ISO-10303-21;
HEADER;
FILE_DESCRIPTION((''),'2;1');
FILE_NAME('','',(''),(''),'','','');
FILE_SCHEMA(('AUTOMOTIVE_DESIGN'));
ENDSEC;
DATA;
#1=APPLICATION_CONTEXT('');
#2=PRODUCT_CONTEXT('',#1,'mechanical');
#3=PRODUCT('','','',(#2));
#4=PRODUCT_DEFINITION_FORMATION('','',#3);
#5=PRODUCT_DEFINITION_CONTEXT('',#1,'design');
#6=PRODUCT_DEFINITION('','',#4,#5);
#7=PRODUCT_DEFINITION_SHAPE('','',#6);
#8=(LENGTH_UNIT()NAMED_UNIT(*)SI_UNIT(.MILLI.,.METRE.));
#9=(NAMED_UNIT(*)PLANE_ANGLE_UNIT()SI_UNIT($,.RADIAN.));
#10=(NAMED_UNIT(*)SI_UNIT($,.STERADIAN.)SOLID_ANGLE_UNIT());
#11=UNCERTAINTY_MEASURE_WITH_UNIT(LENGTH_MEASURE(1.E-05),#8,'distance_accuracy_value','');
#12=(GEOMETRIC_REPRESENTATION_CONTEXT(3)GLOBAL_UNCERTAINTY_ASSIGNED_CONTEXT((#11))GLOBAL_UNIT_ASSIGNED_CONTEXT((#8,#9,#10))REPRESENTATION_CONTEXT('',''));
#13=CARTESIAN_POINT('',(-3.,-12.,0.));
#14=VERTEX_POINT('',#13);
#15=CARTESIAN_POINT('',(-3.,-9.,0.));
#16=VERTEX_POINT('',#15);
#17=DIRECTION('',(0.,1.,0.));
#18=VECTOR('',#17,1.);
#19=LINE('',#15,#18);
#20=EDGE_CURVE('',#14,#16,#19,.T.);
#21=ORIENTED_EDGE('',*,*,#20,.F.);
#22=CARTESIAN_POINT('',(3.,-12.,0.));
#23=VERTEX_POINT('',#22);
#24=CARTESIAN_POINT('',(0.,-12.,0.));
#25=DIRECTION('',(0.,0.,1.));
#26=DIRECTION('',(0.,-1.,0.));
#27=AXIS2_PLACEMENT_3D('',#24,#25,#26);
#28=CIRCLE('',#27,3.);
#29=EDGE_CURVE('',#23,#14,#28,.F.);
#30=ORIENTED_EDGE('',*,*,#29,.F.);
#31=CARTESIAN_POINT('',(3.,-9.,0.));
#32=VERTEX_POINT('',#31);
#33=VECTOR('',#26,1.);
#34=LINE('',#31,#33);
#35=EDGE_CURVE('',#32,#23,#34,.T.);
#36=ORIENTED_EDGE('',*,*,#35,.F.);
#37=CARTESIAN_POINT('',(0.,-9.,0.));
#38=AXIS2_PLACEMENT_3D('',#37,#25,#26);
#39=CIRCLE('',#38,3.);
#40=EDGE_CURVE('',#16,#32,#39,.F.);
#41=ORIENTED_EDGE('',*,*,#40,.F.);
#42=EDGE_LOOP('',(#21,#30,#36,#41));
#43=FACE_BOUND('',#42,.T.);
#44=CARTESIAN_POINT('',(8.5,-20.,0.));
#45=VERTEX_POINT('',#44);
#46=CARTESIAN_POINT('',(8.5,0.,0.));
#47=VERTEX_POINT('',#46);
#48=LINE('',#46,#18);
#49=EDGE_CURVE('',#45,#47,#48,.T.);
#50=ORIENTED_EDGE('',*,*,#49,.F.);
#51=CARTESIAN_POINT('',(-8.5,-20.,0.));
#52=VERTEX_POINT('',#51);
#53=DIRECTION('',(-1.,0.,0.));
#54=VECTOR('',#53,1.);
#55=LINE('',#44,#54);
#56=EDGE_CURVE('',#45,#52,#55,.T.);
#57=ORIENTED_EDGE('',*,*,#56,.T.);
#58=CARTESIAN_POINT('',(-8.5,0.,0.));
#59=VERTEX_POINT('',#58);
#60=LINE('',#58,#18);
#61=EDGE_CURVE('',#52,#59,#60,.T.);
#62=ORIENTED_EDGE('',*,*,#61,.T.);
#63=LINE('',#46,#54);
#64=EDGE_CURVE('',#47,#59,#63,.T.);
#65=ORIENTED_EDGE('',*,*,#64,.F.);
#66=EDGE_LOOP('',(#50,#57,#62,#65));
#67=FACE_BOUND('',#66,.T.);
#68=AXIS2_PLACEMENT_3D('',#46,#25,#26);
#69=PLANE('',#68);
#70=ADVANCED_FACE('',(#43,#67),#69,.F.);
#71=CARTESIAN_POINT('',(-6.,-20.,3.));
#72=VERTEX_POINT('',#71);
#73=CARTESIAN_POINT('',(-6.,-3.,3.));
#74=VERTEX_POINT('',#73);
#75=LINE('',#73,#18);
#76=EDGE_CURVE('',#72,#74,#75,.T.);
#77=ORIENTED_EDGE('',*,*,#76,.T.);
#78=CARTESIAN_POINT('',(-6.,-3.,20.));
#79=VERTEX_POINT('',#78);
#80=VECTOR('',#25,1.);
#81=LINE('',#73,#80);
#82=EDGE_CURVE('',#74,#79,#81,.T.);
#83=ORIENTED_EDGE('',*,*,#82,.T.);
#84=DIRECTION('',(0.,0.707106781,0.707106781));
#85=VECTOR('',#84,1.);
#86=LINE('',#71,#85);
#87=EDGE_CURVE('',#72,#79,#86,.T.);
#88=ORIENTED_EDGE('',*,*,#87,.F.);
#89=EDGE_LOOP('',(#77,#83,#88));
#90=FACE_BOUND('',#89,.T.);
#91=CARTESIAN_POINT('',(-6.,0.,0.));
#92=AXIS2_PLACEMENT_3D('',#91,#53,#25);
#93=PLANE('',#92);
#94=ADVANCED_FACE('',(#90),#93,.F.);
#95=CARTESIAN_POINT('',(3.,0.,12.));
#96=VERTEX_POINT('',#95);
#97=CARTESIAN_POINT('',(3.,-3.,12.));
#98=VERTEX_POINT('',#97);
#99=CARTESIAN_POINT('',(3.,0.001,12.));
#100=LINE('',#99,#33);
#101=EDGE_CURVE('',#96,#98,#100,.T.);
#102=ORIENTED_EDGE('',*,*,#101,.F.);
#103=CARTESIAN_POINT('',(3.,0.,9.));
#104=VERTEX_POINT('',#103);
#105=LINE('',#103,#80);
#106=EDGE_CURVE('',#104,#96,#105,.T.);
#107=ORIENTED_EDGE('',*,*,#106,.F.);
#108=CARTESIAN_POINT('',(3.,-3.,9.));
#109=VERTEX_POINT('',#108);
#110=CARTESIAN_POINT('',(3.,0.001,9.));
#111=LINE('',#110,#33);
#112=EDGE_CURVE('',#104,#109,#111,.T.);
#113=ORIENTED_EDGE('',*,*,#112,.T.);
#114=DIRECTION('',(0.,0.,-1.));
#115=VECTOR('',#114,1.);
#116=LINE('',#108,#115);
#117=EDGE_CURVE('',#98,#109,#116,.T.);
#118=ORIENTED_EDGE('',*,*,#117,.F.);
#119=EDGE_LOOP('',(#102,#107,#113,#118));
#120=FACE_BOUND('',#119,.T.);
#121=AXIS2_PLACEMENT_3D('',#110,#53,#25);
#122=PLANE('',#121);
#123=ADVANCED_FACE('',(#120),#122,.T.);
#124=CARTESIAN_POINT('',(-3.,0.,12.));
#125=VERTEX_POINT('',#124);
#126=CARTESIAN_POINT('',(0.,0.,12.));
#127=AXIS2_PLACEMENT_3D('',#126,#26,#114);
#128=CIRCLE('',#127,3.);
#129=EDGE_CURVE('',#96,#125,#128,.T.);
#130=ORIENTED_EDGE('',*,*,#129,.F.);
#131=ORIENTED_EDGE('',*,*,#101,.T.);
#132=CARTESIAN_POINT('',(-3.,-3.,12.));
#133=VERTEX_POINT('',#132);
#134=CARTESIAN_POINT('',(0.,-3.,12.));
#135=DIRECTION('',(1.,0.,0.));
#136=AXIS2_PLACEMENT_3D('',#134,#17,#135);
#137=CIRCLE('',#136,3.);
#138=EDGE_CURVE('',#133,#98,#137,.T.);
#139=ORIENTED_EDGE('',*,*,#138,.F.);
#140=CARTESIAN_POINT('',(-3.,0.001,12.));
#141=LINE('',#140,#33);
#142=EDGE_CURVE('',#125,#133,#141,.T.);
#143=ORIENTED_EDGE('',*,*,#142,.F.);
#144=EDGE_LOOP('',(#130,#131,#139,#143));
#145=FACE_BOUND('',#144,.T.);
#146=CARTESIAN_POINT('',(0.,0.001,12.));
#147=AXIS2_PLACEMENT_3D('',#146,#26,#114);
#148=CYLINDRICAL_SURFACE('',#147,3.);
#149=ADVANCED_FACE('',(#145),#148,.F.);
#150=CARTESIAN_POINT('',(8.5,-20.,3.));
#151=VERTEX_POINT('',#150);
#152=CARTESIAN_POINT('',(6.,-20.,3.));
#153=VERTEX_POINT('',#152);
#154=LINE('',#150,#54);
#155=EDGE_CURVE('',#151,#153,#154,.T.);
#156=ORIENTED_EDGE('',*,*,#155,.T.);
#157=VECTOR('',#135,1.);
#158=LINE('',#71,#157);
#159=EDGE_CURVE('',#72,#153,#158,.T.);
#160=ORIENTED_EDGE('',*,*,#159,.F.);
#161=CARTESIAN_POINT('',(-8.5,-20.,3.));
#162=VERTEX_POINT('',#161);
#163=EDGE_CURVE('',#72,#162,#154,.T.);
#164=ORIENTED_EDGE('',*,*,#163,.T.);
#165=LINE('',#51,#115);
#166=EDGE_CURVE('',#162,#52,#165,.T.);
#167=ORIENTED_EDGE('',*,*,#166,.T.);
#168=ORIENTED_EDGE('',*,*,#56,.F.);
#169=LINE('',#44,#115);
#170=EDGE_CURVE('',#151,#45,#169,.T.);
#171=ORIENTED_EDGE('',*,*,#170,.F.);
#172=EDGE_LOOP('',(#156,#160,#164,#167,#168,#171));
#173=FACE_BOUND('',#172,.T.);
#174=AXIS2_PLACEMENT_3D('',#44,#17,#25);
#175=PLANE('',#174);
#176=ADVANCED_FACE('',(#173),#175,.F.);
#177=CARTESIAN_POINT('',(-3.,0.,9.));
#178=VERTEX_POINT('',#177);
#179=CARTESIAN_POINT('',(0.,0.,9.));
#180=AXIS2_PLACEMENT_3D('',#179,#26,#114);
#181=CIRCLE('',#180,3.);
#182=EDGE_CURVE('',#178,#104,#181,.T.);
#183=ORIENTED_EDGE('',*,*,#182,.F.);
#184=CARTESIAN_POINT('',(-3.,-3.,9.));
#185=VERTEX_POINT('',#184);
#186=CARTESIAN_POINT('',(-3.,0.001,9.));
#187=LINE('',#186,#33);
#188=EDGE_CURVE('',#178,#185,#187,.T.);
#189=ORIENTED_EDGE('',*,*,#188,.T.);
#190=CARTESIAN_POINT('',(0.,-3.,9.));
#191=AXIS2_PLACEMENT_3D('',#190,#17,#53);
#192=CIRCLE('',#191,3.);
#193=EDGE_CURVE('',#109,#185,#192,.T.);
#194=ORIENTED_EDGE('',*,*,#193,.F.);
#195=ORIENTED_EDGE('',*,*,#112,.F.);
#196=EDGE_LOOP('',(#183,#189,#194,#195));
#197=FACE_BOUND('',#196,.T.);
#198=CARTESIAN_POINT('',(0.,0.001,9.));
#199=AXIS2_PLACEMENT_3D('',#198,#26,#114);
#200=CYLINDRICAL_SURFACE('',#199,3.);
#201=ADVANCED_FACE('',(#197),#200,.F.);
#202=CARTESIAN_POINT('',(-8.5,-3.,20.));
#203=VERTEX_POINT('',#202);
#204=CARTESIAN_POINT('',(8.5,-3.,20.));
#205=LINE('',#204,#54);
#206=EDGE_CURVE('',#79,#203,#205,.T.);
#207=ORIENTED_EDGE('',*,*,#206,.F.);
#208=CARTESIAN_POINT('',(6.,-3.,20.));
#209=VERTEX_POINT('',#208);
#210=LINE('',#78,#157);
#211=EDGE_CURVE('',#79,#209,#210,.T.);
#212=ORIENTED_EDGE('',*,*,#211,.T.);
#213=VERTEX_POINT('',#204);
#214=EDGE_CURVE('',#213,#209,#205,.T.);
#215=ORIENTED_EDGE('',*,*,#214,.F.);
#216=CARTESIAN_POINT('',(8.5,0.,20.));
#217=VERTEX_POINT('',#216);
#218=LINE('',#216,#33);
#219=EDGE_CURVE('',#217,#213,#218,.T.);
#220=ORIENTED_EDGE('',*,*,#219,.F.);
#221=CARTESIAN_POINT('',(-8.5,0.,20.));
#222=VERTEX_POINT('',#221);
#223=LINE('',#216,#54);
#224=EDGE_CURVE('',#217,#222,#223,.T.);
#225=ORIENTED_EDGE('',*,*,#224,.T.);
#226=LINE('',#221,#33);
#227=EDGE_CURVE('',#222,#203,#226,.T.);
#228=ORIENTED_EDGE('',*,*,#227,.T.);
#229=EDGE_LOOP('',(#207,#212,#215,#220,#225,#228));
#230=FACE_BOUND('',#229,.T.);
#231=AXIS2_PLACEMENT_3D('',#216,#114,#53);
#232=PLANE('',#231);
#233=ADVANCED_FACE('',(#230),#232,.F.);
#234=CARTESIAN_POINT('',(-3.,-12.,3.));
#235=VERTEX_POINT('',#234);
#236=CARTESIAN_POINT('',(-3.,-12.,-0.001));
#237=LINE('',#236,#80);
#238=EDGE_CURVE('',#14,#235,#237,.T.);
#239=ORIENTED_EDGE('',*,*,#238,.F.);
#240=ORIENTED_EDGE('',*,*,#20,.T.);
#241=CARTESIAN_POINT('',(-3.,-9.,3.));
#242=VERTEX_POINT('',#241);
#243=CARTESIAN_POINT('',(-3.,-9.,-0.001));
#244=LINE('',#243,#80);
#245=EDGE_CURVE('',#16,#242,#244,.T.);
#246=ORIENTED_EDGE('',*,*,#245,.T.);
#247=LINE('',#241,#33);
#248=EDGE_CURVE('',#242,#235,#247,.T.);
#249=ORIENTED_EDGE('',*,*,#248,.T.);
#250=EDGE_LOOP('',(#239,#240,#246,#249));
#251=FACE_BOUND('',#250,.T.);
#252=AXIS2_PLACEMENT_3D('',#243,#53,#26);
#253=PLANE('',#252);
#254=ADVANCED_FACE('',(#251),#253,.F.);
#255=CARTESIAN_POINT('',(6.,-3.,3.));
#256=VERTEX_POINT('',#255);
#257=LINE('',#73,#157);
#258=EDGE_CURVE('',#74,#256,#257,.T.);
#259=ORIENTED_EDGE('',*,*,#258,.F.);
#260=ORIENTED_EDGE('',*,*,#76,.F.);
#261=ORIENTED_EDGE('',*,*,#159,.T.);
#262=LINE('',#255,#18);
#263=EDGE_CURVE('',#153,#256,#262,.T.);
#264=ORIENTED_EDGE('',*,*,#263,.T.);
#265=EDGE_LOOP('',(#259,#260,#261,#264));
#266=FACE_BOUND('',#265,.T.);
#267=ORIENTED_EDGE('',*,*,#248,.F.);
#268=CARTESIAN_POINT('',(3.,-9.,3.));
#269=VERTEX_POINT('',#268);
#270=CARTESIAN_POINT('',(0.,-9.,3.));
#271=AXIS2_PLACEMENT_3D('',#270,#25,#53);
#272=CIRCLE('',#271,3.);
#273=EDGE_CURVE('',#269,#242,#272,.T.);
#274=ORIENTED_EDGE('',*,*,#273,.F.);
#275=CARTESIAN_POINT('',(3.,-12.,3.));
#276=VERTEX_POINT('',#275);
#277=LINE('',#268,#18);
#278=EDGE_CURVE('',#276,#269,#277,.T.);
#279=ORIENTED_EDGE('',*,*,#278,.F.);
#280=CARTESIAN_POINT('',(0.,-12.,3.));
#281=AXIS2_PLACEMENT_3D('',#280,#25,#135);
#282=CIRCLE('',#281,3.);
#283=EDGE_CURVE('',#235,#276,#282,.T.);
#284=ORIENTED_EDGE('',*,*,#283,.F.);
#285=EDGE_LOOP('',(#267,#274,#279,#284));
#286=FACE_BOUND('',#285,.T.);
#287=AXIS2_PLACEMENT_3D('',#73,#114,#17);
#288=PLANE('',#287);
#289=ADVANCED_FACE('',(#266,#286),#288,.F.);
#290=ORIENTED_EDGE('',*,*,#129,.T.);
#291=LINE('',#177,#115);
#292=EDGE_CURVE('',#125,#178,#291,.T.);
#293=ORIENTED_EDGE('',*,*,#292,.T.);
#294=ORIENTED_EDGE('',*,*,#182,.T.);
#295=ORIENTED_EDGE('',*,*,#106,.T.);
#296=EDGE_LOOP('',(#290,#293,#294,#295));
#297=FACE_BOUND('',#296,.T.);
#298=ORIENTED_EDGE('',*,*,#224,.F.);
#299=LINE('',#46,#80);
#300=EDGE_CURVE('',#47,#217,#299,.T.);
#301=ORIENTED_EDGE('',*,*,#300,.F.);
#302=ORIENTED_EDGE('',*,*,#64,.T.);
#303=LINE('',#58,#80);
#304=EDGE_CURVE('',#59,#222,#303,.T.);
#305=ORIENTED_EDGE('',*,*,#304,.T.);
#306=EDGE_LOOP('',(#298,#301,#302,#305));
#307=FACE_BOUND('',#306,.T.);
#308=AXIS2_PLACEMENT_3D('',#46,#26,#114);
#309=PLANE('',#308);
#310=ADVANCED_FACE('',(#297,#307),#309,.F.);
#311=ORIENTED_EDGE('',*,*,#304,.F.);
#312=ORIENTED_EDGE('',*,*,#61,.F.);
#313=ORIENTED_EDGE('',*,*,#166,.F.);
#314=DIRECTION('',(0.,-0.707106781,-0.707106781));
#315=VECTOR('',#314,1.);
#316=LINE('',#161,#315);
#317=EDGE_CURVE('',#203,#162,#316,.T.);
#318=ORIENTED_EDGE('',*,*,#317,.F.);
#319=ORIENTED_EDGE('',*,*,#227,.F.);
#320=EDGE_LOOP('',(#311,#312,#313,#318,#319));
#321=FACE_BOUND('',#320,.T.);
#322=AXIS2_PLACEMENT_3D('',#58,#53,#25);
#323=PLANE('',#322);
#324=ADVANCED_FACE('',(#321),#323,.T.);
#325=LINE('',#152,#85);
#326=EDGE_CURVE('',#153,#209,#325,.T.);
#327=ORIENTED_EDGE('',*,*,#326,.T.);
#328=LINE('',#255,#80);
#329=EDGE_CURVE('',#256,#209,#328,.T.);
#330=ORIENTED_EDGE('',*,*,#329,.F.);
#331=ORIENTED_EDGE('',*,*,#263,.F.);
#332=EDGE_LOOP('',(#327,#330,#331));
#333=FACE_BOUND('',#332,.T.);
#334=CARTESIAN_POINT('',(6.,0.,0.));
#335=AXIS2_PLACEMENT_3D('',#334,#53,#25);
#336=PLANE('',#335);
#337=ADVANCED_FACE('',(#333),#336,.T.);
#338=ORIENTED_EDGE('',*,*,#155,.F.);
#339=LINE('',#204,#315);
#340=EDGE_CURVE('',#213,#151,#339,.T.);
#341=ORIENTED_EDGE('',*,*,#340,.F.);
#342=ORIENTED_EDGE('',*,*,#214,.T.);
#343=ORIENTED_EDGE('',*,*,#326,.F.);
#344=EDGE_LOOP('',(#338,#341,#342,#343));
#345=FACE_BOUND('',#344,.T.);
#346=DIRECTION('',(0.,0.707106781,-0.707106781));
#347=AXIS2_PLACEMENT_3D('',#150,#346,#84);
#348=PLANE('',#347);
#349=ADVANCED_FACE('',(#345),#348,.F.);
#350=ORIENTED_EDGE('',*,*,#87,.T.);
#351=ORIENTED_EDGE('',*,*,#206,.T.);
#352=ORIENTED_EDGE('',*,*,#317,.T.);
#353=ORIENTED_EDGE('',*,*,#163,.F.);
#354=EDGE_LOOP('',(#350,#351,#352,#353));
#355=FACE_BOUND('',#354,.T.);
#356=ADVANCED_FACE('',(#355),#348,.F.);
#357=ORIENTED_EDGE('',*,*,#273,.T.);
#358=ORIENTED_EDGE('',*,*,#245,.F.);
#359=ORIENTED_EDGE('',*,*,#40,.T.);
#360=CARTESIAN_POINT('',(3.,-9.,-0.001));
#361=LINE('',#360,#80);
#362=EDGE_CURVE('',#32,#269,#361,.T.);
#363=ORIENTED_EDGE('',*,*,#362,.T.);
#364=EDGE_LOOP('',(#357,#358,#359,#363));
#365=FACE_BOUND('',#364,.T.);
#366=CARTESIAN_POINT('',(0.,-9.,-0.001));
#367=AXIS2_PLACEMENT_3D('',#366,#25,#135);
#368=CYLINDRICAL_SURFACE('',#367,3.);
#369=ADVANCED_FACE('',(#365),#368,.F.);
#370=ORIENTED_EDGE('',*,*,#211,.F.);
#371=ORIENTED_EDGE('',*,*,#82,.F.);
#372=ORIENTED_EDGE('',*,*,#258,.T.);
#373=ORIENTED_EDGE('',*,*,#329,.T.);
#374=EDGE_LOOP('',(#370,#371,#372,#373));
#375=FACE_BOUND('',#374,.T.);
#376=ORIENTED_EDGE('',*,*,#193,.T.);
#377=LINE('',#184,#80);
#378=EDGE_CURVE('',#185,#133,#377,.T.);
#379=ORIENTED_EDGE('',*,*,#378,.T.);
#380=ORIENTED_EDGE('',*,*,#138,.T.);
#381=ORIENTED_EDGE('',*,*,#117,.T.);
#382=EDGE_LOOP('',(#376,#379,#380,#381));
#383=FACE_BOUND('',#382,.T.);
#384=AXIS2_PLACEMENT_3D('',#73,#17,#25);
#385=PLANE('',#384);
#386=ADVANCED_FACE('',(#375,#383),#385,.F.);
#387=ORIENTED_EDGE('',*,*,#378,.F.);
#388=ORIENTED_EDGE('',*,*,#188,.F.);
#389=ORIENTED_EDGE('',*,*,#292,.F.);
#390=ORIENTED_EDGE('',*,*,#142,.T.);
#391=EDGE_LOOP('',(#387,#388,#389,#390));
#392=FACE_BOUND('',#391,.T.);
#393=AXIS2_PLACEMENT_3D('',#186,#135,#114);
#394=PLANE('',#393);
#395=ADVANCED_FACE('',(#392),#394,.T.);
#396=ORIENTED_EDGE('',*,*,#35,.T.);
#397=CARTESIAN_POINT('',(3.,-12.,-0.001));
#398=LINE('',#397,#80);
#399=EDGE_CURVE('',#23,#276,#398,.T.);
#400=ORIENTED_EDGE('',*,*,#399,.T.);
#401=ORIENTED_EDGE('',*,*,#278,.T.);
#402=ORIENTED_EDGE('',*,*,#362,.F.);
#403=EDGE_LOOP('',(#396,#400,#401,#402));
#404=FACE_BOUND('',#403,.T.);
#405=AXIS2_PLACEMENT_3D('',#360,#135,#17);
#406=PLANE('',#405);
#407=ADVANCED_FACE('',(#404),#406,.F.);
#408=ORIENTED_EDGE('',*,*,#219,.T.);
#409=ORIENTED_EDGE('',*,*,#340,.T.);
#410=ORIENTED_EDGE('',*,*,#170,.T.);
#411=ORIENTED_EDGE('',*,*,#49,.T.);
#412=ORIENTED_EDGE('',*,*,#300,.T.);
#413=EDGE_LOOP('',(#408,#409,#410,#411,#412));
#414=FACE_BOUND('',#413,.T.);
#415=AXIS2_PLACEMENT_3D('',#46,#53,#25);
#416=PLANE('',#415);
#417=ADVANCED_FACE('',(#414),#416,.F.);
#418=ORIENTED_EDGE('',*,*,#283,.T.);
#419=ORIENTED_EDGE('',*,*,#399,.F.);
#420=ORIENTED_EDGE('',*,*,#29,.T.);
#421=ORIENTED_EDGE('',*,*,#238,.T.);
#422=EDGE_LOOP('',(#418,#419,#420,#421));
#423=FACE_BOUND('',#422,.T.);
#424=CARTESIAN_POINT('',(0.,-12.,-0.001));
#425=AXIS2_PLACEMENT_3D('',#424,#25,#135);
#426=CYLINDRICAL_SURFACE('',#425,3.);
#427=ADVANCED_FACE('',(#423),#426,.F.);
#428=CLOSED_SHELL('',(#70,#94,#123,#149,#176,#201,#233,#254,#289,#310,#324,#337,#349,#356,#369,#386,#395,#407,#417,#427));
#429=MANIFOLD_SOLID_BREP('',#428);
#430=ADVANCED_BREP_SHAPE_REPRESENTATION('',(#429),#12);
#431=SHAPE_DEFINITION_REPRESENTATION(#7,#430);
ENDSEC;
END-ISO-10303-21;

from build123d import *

# Parameters (mm, degrees)
BOSS_EXTRUDE1_DEPTH = 8.5
SKETCH2_W           = 17
SKETCH2_H           = 17
CUT_EXTRUDE1_DEPTH  = 6
CUT_EXTRUDE2_DEPTH  = 3


with BuildPart() as part:
    # Sketch1 → Boss-Extrude1 (new body, symmetric)
    with BuildSketch(Plane(origin=(0, 0, 0), x_dir=(0, 0, -1), z_dir=(1, 0, 0))):
        Polygon((0, 0), (-20, 0), (-20, -3), (-11.5, -11.5), (-3, -20), (0, -20), align=None)
    extrude(amount=BOSS_EXTRUDE1_DEPTH, both=True)

    # Sketch2 → Cut-Extrude1 (cut, symmetric)
    with BuildSketch(Plane(origin=(0, 0, 0), x_dir=(0, 0, -1), z_dir=(1, 0, 0))):
        with Locations((-11.5, -11.5)):
            Rectangle(SKETCH2_W, SKETCH2_H)
    extrude(amount=CUT_EXTRUDE1_DEPTH, both=True, mode=Mode.SUBTRACT)

    # Sketch3 → Cut-Extrude2 (cut)
    with BuildSketch(Plane.XY.offset(3)):
        with BuildLine():
            Line((-3, -9), (-3, -12))
            ThreePointArc((-3, -12), (0, -15), (3, -12))
            Line((3, -12), (3, -9))
            ThreePointArc((3, -9), (0, -6), (-3, -9))
        make_face()
    cut_extrude2 = extrude(amount=-CUT_EXTRUDE2_DEPTH, mode=Mode.SUBTRACT)

    # Mirror1: Cut-Extrude2 across plane
    add(cut_extrude2.mirror(Plane(origin=(0, 0, 0), x_dir=(0, -0.707106781, 0.707106781), z_dir=(0, 0.707106781, 0.707106781))), mode=Mode.SUBTRACT)


solid = part.part
